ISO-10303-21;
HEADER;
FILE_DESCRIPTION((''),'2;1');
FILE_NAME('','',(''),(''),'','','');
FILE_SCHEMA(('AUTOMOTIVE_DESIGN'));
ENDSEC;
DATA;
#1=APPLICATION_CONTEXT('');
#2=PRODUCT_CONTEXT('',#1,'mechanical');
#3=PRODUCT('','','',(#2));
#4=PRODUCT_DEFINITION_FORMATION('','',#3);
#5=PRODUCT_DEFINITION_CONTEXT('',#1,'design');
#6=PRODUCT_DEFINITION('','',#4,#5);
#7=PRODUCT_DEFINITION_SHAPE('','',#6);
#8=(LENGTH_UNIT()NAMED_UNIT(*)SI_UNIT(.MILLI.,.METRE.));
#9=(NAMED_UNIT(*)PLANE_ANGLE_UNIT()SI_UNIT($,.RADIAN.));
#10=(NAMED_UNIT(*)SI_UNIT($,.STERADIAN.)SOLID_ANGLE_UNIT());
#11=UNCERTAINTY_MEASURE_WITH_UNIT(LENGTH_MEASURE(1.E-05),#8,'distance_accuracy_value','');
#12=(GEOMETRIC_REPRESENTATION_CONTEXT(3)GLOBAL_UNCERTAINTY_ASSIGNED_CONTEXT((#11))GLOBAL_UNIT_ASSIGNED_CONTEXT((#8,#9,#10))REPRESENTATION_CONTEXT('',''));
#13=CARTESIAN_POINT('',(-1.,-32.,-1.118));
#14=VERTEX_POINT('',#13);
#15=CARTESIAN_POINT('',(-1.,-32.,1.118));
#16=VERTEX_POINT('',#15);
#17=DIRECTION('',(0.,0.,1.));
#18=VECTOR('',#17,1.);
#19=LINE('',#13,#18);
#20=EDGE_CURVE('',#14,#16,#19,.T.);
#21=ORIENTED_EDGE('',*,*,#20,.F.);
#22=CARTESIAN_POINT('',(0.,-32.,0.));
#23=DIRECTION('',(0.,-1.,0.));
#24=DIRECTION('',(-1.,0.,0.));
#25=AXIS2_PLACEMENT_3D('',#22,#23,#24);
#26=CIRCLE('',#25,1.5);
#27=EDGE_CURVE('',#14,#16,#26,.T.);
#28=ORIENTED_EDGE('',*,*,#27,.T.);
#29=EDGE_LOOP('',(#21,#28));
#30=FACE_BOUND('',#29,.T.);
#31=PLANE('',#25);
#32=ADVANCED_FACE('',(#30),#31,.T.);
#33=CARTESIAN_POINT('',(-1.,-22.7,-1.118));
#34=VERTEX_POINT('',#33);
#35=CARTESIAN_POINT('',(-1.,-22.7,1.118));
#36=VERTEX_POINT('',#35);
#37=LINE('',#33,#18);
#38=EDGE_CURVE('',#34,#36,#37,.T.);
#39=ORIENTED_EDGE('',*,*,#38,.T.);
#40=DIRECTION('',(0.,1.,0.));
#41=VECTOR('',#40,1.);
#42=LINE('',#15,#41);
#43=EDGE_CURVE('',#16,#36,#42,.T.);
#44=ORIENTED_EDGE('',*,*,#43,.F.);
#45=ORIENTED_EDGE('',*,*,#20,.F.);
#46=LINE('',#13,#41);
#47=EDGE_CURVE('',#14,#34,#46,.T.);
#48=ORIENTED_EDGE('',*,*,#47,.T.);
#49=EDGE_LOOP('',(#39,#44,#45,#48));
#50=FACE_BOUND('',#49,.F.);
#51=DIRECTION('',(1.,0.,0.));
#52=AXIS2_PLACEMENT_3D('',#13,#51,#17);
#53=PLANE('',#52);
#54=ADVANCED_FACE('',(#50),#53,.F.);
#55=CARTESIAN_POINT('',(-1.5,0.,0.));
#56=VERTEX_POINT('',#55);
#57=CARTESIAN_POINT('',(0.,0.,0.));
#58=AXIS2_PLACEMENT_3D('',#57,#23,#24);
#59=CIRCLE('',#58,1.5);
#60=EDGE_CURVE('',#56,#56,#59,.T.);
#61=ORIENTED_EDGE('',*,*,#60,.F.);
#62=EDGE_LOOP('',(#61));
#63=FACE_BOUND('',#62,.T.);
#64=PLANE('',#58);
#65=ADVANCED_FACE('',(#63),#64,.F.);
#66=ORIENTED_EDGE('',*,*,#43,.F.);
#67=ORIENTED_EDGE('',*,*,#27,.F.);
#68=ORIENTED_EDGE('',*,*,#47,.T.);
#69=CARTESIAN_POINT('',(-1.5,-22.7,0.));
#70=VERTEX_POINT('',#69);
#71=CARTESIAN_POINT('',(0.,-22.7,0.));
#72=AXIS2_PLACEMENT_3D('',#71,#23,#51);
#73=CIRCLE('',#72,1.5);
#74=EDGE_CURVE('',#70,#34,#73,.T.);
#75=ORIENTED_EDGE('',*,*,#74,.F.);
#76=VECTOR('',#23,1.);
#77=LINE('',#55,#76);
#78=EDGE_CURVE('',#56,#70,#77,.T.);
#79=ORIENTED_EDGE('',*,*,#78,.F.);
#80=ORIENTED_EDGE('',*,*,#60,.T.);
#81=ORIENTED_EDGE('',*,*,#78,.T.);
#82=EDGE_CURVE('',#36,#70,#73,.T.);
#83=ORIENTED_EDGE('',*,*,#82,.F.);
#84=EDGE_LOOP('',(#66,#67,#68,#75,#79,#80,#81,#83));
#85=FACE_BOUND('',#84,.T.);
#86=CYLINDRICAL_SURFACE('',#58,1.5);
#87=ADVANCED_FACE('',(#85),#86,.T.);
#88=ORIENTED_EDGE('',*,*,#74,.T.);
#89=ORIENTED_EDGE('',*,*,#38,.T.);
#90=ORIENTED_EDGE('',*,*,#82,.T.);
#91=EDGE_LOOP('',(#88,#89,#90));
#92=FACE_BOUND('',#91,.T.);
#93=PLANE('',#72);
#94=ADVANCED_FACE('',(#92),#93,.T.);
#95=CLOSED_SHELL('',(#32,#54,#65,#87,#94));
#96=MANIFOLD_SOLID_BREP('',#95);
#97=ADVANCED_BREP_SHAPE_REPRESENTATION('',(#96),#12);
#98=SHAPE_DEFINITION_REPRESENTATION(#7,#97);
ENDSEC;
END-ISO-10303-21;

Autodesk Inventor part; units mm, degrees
ref_plane "YZ Plane" through (0, 0, 0) normal (1, 0, 0) x (0, 1, 0)
ref_plane "XZ Plane" through (0, 0, 0) normal (0, 1, 0) x (-1, 0, 0)
ref_plane "XY Plane" through (0, 0, 0) normal (0, 0, 1) x (1, 0, 0)
ref_plane "Work Plane1" through (0, -7.6831, 0) normal (0, 0, 1) x (-1, 0, 0)
sketch "Sketch1" plane through (0, -7.6831, 0) normal (0, 0, 1) x (-1, 0, 0)
  line L0 (0, -7.6831) -> (0, 31.0323)
  line L1 (0, -7.6831) -> (1.5, -7.6831)
  line L2 (1.5, -7.6831) -> (1.5, 24.3169)
  line L3 (1.5, 24.3169) -> (0, 24.3169)
  line L4 (0, 24.3169) -> (0, -7.6831)
  dimension "d0" = 32
  dimension "d1" = 3
revolve "Revolution1" add sketch "Sketch1" angle 360 about axis through (0, 0, 0) along (0, -1, 0)
sketch "Sketch2" plane through (0, -32, 0) normal (0, -1, 0) x (1, 0, 0)
  circle A0 centre (0, 0) radius 1.5 projected
  line L0 (-1, -1.118) -> (-1, 1.118)
  point P0 (0, 0)
  dimension "d3" = 1
extrude "Extrusion1" cut sketch "Sketch2" against normal blind 9.3 contours L0 A0 picked at (-1.1631, -0.0599)
properties part number "Motor-Shaft"
